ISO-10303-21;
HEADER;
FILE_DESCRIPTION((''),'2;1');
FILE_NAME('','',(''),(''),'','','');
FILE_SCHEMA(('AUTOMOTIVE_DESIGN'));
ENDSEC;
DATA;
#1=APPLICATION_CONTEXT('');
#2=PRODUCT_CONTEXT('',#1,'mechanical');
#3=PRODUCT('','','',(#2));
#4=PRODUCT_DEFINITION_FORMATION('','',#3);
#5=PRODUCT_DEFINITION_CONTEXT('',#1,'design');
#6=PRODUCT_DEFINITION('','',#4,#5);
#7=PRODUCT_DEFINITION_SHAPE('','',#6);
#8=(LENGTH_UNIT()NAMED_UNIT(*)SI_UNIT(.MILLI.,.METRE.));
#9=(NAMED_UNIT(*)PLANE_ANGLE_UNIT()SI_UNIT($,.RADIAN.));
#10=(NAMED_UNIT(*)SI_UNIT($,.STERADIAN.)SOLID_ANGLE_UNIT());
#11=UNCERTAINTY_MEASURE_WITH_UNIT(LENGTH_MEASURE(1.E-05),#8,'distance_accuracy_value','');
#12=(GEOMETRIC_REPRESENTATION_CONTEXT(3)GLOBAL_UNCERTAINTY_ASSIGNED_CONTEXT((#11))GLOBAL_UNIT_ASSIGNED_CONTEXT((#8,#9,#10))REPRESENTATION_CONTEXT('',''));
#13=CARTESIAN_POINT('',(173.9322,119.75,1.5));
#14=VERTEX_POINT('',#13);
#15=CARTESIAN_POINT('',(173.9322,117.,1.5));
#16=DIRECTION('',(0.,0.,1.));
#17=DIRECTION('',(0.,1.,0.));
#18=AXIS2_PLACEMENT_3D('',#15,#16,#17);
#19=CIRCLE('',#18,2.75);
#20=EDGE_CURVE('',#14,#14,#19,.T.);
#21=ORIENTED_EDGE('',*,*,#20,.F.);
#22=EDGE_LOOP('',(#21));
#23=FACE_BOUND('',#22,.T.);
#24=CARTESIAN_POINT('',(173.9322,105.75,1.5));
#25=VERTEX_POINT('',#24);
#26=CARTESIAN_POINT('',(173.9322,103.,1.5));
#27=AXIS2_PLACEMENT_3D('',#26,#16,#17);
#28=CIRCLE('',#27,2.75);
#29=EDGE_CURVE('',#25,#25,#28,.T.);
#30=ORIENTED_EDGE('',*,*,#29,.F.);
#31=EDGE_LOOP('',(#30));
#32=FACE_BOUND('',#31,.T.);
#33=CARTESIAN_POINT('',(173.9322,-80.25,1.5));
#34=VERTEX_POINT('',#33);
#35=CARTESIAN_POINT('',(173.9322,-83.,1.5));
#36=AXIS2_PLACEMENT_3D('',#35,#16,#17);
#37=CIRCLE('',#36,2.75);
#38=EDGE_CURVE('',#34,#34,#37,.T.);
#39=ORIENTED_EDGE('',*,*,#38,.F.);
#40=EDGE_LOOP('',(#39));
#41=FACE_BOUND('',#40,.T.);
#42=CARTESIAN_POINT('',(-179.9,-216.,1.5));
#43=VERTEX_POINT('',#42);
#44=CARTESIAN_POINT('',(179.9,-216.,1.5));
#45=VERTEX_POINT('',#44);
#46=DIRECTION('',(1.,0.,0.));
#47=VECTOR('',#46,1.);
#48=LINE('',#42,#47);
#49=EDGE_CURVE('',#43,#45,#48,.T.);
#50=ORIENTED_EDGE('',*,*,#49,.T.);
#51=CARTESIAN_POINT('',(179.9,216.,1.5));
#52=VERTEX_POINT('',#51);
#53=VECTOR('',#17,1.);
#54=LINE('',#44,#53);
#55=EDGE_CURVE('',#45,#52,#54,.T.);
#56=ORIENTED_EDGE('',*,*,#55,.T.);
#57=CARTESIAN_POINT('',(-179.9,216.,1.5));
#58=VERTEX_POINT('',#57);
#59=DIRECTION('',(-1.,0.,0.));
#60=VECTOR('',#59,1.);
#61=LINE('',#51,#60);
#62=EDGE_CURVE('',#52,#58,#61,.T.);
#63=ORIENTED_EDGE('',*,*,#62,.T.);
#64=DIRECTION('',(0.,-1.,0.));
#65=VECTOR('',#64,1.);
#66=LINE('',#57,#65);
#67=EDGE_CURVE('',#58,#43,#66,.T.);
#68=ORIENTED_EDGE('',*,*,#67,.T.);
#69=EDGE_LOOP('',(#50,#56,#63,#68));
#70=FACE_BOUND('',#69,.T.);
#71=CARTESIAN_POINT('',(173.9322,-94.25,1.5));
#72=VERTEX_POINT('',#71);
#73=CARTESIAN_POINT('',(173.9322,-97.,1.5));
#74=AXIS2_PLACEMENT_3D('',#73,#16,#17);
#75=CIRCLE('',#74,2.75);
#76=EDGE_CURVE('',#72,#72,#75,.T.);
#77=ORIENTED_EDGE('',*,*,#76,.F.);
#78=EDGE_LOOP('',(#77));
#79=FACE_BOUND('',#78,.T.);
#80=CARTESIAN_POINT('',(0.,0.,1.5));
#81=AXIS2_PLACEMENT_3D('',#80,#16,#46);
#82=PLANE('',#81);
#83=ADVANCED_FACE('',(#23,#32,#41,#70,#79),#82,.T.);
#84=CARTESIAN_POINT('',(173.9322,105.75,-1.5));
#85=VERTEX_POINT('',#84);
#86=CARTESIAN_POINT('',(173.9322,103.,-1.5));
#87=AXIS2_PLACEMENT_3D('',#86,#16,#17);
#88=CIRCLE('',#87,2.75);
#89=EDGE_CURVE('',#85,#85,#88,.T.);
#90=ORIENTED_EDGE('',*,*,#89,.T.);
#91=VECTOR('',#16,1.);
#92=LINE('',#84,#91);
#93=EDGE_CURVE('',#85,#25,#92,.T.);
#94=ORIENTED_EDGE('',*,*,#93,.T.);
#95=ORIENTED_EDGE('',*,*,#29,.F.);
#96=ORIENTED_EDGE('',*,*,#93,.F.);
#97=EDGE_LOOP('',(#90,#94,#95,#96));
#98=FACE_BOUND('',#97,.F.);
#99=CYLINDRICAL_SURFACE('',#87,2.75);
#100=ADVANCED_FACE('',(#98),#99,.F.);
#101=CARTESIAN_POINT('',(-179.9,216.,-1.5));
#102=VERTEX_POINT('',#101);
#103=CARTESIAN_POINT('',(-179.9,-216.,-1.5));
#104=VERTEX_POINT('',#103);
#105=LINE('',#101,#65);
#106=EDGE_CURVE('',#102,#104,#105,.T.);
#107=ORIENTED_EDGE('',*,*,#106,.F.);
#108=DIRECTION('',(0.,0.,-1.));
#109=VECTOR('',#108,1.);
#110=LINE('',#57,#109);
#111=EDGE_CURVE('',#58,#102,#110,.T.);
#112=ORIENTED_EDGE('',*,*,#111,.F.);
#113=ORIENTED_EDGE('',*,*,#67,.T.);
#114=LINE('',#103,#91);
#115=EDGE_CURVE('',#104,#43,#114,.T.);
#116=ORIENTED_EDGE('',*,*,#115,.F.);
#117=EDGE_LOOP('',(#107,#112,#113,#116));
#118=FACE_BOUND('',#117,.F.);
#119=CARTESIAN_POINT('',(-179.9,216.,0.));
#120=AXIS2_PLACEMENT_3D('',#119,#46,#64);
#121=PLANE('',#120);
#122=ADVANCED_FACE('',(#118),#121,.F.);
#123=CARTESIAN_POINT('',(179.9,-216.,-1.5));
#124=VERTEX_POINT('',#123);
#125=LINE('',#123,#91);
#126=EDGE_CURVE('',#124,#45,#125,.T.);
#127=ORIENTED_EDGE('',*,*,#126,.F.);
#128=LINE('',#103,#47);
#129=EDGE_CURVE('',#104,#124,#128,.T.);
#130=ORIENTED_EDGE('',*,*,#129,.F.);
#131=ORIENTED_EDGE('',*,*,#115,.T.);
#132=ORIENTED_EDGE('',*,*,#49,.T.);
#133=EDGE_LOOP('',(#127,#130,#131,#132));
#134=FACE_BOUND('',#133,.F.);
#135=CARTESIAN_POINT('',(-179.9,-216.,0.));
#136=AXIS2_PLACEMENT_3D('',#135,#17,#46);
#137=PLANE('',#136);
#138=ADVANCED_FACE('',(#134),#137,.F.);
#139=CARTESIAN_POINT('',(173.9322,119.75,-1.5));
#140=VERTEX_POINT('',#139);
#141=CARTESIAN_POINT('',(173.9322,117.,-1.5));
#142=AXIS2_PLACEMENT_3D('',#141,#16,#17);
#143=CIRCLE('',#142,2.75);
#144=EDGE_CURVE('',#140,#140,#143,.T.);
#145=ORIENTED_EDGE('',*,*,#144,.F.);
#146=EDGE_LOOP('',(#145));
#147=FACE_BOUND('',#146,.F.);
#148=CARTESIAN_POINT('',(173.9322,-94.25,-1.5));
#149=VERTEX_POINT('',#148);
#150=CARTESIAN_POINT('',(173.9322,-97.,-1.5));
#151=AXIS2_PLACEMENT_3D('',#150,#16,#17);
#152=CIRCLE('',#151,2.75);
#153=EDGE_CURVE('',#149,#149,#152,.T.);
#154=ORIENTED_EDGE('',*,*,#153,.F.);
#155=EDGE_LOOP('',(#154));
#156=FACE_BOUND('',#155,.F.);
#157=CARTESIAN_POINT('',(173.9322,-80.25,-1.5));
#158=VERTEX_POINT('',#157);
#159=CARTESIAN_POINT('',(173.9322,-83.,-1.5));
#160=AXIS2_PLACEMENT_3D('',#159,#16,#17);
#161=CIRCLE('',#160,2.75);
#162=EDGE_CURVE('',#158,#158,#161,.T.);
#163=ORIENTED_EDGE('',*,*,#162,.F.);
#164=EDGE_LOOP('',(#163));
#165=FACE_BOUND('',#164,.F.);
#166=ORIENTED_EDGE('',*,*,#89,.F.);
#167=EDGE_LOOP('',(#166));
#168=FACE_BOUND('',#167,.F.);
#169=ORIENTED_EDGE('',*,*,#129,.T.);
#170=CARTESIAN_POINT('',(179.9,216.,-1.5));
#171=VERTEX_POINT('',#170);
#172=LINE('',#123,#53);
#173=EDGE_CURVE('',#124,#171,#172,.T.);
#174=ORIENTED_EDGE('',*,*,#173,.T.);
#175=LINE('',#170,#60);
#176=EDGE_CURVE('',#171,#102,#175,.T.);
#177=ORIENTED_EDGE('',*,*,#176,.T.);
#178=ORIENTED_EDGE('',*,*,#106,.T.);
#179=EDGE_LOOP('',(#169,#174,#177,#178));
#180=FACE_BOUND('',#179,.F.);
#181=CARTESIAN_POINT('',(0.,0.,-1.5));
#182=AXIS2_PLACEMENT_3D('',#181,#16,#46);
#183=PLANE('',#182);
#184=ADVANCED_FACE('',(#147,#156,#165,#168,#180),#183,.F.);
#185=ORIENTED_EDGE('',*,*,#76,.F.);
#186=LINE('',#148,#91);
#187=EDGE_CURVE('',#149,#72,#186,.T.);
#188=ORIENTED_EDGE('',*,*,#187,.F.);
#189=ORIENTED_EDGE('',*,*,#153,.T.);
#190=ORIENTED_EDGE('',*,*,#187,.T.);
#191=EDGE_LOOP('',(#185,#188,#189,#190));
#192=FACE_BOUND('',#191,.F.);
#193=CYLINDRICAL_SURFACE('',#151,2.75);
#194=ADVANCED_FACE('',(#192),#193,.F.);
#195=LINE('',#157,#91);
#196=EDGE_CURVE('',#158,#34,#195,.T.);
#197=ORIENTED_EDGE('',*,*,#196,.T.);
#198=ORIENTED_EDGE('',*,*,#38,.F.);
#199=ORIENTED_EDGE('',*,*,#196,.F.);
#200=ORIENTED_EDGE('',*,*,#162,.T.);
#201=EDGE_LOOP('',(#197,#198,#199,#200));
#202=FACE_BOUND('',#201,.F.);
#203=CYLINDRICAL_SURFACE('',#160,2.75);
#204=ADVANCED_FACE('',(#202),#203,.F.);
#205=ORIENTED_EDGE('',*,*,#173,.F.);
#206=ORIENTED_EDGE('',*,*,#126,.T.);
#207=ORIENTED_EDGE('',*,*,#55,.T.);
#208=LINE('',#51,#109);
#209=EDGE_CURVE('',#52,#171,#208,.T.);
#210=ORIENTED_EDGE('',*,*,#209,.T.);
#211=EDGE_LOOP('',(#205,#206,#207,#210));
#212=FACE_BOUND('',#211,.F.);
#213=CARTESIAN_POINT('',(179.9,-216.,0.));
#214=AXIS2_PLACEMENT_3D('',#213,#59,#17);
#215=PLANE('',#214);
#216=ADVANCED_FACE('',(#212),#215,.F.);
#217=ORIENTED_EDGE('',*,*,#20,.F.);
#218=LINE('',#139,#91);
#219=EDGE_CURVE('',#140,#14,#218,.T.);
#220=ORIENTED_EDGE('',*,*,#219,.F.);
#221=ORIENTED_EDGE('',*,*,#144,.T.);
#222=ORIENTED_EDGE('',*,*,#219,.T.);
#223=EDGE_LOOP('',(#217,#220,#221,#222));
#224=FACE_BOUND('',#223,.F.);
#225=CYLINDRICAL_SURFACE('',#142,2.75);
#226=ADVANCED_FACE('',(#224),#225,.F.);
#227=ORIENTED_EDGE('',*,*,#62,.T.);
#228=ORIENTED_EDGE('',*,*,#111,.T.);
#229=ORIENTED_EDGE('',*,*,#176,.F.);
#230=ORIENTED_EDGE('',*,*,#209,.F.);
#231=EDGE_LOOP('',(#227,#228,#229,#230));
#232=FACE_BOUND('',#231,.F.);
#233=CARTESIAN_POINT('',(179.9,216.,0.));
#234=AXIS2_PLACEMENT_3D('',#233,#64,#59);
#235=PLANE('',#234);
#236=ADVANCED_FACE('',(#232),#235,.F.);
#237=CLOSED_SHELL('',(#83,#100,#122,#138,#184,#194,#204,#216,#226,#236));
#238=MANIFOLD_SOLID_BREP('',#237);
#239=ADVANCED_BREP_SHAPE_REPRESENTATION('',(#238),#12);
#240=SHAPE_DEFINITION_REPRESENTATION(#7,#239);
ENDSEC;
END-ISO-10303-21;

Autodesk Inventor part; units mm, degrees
ref_plane "YZ Plane" through (0, 0, 0) normal (1, 0, 0) x (0, 1, 0)
ref_plane "XZ Plane" through (0, 0, 0) normal (0, 1, 0) x (-1, 0, 0)
ref_plane "XY Plane" through (0, 0, 0) normal (0, 0, 1) x (1, 0, 0)
sketch "Esquisse1" plane through (0, 0, 0) normal (0, 0, 1) x (1, 0, 0)
  line L0 (-179.9, -216) -> (179.9, -216)
  line L1 (179.9, -216) -> (179.9, 216)
  line L2 (179.9, 216) -> (-179.9, 216)
  line L3 (-179.9, 216) -> (-179.9, -216)
  line L4 (-179.9, -216) -> (179.9, 216) construction
  line L5 (179.9, -216) -> (-179.9, 216) construction
  point P0 (0, 0)
  dimension "Largueur_porte" = 359.8
  dimension "Hauteur_porte" = 432
extrude "Embase" add sketch "Esquisse1" along normal mid plane 3
sketch "Esquisse2" plane through (0, 0, -1.5) normal (0, 0, -1) x (-1, 0, 0)
  ellipse E0 centre (-178.8362, -97) end of major axis (-178.8362, -94.5) minor radius 1.7678 projected
  ellipse E1 centre (-178.8362, -83) end of major axis (-178.8362, -80.5) minor radius 1.7678 projected
  ellipse E2 centre (-178.8362, 117) end of major axis (-178.8362, 119.5) minor radius 1.7678 projected
  ellipse E3 centre (-178.8362, 103) end of major axis (-178.8362, 105.5) minor radius 1.7678 projected
  point P0 (0, 0)
  point P1 (-173.9322, 117)
  point P2 (-173.9322, 103)
  point P3 (-173.9322, -83)
  point P4 (-173.9322, -97)
hole "Perçage1" at (173.9322, 117, -1.5) at (173.9322, 103, -1.5) at (173.9322, -83, -1.5) at (173.9322, -97, -1.5) direction (0, 0, 1) diameter 5.5 end through all clearance for "Vis à tête plate fraisée ISO 2009/7046" size "M5" standard "ISO"
properties part number "Porte" material "Plastique PMMA"
